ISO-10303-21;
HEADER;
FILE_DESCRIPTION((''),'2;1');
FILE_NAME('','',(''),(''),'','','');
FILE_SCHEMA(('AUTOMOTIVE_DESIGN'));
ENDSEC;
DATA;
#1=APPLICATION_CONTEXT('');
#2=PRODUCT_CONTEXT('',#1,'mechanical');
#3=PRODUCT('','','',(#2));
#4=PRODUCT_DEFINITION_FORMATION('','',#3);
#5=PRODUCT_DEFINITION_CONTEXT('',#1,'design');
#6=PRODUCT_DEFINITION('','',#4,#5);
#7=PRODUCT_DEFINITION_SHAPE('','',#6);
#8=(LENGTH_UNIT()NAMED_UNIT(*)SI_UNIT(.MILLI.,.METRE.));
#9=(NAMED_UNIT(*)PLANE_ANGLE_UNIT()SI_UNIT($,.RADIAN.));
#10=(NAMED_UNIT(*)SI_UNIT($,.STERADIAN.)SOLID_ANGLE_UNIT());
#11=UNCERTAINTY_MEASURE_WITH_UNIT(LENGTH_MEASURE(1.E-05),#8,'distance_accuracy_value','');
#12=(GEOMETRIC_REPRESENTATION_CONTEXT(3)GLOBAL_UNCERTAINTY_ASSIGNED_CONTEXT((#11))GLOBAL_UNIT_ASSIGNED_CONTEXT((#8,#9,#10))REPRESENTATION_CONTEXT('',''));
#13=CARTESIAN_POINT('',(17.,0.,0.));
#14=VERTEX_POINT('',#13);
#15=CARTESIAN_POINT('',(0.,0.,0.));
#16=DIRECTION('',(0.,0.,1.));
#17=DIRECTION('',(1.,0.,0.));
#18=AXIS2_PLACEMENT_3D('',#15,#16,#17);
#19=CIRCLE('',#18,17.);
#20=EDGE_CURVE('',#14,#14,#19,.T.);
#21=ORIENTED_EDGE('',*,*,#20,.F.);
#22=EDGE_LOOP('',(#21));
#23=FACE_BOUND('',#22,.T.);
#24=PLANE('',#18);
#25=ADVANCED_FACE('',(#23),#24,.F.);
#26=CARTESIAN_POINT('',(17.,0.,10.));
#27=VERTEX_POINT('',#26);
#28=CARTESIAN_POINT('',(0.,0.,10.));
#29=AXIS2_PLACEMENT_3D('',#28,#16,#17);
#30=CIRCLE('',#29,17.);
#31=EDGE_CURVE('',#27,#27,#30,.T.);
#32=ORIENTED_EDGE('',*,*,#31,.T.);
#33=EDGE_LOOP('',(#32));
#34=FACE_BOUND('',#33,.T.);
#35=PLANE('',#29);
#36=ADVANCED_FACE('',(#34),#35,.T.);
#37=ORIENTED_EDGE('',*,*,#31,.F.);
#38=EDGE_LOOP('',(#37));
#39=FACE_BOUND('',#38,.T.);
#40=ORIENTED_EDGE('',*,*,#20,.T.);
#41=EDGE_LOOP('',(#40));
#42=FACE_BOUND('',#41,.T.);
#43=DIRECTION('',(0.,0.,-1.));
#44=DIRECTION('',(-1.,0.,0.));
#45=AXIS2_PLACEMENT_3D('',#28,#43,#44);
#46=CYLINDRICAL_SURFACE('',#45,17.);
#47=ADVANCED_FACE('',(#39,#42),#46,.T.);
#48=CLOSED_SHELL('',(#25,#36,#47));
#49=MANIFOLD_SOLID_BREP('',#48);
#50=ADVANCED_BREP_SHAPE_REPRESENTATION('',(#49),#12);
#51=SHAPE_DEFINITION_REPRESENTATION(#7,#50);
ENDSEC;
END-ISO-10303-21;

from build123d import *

# Parameters (mm, degrees)
SZKIC1_R                    = 17
DODANIE_WYCI_GNI_CIE1_DEPTH = 10


with BuildPart() as part:
    # Szkic1 → Dodanie-wyciągnięcie1 (new body)
    with BuildSketch(Plane.XY):
        Circle(SZKIC1_R)
    extrude(amount=DODANIE_WYCI_GNI_CIE1_DEPTH)


solid = part.part
